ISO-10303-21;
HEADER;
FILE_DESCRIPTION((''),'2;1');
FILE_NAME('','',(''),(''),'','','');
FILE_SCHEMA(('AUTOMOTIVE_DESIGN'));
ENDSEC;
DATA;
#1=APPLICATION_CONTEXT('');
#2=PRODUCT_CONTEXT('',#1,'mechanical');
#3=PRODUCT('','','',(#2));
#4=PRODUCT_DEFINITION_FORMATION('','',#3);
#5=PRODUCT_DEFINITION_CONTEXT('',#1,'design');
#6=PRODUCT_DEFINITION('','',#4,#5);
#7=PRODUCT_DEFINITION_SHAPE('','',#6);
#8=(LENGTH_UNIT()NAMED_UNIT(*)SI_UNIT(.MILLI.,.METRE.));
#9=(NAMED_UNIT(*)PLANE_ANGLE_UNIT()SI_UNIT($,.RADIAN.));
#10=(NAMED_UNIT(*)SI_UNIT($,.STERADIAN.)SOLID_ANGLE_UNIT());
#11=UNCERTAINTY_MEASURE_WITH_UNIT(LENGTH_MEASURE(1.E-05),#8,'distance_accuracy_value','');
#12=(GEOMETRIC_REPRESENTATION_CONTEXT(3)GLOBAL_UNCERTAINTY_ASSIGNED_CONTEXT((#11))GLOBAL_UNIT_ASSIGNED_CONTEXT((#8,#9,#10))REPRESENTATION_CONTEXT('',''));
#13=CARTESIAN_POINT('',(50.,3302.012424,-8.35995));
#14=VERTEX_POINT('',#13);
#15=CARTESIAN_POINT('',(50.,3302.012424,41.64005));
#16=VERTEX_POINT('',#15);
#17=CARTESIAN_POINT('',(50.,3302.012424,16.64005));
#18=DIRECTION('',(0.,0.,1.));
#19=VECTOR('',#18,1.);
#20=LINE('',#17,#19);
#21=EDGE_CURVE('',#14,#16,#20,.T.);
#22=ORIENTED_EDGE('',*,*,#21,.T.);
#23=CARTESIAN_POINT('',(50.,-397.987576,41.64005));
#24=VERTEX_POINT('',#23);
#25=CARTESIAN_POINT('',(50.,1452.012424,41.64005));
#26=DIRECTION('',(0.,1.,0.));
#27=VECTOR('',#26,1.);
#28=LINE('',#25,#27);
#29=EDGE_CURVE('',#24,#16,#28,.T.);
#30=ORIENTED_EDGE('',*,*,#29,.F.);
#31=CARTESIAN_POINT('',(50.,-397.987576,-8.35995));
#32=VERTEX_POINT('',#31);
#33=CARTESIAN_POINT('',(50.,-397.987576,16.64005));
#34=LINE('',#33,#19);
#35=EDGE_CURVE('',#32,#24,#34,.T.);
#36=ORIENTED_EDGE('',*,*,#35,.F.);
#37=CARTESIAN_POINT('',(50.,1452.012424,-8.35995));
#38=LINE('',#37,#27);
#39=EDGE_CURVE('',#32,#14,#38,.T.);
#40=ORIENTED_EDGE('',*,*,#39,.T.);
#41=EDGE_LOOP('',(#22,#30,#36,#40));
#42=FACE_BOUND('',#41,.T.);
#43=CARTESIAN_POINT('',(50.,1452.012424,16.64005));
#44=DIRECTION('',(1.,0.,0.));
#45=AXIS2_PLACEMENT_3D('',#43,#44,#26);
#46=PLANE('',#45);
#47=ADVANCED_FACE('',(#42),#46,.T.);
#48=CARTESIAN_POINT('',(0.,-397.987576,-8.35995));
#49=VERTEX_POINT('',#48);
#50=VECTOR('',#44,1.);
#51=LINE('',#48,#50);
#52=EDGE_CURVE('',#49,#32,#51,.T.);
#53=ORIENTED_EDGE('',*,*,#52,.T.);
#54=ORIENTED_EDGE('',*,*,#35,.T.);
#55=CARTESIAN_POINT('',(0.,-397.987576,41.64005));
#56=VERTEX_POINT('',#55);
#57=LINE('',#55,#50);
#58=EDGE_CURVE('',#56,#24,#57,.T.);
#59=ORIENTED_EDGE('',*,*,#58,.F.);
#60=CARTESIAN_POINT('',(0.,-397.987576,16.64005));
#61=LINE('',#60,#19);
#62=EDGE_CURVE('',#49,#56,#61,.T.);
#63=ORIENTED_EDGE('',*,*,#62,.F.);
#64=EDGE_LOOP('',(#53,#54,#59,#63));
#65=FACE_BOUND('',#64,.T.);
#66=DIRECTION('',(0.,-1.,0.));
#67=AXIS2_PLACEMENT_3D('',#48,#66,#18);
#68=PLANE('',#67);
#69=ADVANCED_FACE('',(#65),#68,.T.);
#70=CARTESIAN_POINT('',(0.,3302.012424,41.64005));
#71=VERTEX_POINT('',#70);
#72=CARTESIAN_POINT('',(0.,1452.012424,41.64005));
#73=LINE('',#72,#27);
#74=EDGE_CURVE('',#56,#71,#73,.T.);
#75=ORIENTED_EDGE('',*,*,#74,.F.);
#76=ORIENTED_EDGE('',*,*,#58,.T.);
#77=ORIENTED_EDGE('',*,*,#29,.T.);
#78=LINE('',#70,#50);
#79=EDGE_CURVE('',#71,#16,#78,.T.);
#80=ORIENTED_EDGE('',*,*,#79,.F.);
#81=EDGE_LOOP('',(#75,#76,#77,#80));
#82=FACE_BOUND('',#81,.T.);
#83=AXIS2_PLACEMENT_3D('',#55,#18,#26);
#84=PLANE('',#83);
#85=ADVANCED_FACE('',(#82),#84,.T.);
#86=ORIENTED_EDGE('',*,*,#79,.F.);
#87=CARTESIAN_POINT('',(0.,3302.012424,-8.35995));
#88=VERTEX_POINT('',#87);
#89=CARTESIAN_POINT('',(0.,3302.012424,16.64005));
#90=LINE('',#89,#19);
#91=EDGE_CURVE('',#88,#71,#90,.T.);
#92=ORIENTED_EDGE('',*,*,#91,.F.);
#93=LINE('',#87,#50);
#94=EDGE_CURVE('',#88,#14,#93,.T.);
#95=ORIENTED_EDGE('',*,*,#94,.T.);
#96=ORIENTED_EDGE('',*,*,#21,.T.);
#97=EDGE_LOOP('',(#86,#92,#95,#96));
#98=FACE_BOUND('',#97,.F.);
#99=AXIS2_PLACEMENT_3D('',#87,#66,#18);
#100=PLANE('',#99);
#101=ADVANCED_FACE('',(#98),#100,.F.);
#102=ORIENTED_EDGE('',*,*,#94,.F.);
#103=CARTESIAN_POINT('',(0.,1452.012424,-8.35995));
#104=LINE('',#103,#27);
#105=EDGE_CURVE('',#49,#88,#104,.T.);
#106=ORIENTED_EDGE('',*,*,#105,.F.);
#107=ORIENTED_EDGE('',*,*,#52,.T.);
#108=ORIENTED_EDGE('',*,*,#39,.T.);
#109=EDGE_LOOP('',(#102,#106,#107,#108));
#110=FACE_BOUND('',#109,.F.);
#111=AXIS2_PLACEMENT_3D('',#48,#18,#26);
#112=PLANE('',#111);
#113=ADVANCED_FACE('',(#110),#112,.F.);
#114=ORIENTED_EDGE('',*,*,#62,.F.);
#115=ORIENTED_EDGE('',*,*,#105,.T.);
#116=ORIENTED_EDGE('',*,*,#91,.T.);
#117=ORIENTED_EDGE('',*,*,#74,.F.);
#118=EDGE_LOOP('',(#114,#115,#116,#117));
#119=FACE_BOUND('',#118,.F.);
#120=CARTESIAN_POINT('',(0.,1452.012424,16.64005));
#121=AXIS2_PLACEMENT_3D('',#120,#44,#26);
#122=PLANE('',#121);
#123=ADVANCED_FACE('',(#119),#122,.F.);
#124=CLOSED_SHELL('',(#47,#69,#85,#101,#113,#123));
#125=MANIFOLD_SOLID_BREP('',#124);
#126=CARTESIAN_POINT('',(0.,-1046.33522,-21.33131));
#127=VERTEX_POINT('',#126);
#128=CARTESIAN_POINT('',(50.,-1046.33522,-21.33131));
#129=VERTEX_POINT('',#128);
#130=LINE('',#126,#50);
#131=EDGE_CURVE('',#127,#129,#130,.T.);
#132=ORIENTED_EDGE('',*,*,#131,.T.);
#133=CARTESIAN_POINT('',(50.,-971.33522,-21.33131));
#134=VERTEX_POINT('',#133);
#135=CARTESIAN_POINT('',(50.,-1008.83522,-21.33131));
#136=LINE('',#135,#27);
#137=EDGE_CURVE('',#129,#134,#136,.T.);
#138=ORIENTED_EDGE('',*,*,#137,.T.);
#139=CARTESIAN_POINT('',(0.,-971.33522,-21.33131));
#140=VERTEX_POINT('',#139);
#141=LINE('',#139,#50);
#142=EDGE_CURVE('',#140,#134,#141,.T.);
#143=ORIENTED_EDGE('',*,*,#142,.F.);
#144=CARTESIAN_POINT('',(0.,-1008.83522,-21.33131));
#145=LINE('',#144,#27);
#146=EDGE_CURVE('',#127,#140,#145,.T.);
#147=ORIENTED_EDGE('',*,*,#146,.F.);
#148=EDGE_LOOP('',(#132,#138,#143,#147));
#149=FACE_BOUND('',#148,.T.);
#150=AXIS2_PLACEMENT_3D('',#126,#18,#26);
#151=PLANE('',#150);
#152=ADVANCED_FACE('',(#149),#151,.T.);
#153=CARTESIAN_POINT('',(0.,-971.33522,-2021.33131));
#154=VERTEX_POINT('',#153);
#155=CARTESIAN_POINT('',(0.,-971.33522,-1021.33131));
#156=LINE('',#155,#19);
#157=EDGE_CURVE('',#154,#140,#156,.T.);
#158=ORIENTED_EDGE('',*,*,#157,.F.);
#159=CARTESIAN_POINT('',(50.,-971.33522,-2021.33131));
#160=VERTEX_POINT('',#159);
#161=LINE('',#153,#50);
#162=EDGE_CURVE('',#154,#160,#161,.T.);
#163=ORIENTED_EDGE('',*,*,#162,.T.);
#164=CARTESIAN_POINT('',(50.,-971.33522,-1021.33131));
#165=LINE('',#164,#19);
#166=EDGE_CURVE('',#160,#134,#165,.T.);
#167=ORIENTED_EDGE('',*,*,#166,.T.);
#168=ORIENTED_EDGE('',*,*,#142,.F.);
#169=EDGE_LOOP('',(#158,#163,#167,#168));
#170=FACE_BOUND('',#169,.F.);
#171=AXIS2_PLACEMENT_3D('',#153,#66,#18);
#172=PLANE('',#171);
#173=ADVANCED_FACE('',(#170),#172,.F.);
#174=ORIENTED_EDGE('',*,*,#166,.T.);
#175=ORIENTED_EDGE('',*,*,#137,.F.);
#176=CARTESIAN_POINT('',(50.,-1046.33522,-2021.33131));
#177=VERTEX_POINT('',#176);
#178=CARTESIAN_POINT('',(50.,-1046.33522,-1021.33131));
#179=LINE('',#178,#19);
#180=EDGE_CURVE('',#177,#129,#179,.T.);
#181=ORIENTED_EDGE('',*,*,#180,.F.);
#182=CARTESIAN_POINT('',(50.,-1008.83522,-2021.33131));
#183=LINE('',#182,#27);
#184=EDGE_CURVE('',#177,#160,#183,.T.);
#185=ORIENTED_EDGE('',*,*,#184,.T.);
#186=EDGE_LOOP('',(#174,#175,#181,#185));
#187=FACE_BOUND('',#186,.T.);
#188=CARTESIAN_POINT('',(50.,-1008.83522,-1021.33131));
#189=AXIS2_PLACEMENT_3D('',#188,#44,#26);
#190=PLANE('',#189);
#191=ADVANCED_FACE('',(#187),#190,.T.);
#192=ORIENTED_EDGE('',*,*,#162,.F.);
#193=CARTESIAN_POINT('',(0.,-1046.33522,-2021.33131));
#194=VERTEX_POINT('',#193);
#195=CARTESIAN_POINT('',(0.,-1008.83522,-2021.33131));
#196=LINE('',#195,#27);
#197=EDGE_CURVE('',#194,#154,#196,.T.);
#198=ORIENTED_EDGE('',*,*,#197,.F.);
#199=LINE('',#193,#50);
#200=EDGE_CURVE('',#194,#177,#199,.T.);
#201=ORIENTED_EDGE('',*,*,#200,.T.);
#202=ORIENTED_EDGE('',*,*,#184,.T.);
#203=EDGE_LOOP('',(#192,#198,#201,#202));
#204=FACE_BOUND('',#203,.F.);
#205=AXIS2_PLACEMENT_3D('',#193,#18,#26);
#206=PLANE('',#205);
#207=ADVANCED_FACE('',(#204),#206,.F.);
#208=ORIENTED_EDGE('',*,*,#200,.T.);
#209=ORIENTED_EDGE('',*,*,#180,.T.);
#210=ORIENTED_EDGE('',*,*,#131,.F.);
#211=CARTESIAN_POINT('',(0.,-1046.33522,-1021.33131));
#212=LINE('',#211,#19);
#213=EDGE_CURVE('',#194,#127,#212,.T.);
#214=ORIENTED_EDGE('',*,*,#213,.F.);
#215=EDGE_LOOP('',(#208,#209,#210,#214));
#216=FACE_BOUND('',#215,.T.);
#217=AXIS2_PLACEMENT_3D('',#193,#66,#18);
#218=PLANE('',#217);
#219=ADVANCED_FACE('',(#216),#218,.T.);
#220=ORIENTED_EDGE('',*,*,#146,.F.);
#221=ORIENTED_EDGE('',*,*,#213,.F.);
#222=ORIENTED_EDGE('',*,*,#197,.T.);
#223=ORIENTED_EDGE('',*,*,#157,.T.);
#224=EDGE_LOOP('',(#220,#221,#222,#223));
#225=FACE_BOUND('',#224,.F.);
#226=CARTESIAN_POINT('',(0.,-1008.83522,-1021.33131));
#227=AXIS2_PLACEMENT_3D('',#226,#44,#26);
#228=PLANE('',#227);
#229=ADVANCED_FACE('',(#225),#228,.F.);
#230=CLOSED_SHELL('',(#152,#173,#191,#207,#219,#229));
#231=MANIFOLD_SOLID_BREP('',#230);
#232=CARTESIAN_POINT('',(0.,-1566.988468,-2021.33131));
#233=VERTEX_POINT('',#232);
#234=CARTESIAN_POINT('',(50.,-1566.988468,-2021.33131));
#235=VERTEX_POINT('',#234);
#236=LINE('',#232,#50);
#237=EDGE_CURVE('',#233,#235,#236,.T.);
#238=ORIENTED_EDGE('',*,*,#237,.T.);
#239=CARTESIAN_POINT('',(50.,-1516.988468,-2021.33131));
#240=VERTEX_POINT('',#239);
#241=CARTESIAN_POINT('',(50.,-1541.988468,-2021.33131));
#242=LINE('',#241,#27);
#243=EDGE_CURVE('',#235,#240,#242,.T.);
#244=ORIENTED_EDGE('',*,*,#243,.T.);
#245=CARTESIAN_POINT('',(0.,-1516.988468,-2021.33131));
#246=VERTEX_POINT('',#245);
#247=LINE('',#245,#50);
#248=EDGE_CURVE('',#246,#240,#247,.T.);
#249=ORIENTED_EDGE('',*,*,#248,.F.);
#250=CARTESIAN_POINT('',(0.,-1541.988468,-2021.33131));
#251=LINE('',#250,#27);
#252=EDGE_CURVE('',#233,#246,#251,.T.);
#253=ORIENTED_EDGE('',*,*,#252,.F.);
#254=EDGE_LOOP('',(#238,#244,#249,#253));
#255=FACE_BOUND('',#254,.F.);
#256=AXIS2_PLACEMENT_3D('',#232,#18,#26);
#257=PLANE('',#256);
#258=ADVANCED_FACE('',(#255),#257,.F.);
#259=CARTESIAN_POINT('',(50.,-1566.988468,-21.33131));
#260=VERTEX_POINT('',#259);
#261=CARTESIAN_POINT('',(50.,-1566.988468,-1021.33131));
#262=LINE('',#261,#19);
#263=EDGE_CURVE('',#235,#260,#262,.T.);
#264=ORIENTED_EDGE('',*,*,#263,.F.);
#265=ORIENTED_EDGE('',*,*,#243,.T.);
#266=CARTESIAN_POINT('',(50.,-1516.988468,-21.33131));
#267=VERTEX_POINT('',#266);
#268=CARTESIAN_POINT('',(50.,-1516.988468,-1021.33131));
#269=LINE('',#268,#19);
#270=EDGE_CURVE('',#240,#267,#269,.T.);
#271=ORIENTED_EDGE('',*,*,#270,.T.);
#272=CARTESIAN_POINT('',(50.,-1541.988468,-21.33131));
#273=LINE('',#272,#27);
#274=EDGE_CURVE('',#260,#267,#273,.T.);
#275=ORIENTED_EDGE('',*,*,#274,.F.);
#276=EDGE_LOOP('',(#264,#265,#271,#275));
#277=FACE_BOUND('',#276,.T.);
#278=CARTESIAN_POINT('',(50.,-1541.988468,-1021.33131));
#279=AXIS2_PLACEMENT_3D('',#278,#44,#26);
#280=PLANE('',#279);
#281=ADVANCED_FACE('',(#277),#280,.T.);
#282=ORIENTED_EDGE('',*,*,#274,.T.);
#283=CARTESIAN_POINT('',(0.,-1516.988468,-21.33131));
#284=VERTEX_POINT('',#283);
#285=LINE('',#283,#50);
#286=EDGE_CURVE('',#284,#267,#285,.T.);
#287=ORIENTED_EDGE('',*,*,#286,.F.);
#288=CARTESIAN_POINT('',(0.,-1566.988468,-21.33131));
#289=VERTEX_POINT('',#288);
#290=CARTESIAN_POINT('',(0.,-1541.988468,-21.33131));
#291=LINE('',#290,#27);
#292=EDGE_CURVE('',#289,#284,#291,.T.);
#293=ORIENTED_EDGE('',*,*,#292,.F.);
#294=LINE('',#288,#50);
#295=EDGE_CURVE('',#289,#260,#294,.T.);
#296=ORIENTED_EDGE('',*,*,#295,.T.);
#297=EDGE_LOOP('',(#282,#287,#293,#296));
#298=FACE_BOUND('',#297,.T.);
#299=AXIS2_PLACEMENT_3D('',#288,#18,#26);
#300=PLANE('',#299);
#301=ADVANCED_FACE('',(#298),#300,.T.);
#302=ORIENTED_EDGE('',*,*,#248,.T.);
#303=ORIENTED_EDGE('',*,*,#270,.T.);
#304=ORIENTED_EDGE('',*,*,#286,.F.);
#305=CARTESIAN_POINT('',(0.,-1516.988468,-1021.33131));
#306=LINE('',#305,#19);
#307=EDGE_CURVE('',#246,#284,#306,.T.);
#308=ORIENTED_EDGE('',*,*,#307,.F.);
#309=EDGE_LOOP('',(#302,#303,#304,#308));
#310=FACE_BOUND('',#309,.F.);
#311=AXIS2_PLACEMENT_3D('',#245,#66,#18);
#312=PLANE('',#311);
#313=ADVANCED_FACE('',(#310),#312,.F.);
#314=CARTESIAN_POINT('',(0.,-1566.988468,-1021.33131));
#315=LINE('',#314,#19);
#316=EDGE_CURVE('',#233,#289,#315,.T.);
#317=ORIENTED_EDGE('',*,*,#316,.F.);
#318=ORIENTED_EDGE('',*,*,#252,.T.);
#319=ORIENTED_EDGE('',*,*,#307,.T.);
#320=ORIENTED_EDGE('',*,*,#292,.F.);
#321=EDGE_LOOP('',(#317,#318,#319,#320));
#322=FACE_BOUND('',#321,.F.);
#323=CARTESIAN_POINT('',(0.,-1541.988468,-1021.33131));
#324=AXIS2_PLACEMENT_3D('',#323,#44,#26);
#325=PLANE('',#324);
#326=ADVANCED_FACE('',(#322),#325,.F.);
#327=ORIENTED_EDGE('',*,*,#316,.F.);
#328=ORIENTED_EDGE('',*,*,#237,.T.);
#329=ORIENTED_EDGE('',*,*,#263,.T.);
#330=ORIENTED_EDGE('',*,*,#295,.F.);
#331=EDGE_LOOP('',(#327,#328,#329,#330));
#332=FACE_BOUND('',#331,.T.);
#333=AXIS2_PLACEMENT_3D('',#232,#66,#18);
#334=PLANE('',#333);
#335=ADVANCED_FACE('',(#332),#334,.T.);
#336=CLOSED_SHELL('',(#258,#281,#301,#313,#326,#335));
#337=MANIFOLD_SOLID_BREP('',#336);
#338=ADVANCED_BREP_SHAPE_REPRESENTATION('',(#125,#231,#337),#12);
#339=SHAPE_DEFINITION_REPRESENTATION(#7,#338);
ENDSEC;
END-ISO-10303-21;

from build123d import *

# Parameters (mm, degrees)
F0_W     = 3700
F0_H     = 50
F0_W_2   = 75
F0_H_2   = 2000
F0_W_3   = 50
F1_DEPTH = 50


with BuildPart() as f1:
    # F0 (on Right) → F1 (new body)
    with BuildSketch(Plane.YZ):
        with Locations((1452.012424, 16.64005)):
            Rectangle(F0_W, F0_H)
        with Locations((-1008.83522, -1021.33131)):
            Rectangle(F0_W_2, F0_H_2)
        with Locations((-1541.988468, -1021.33131)):
            Rectangle(F0_W_3, F0_H_2)
    extrude(amount=F1_DEPTH)


solid = f1.part
